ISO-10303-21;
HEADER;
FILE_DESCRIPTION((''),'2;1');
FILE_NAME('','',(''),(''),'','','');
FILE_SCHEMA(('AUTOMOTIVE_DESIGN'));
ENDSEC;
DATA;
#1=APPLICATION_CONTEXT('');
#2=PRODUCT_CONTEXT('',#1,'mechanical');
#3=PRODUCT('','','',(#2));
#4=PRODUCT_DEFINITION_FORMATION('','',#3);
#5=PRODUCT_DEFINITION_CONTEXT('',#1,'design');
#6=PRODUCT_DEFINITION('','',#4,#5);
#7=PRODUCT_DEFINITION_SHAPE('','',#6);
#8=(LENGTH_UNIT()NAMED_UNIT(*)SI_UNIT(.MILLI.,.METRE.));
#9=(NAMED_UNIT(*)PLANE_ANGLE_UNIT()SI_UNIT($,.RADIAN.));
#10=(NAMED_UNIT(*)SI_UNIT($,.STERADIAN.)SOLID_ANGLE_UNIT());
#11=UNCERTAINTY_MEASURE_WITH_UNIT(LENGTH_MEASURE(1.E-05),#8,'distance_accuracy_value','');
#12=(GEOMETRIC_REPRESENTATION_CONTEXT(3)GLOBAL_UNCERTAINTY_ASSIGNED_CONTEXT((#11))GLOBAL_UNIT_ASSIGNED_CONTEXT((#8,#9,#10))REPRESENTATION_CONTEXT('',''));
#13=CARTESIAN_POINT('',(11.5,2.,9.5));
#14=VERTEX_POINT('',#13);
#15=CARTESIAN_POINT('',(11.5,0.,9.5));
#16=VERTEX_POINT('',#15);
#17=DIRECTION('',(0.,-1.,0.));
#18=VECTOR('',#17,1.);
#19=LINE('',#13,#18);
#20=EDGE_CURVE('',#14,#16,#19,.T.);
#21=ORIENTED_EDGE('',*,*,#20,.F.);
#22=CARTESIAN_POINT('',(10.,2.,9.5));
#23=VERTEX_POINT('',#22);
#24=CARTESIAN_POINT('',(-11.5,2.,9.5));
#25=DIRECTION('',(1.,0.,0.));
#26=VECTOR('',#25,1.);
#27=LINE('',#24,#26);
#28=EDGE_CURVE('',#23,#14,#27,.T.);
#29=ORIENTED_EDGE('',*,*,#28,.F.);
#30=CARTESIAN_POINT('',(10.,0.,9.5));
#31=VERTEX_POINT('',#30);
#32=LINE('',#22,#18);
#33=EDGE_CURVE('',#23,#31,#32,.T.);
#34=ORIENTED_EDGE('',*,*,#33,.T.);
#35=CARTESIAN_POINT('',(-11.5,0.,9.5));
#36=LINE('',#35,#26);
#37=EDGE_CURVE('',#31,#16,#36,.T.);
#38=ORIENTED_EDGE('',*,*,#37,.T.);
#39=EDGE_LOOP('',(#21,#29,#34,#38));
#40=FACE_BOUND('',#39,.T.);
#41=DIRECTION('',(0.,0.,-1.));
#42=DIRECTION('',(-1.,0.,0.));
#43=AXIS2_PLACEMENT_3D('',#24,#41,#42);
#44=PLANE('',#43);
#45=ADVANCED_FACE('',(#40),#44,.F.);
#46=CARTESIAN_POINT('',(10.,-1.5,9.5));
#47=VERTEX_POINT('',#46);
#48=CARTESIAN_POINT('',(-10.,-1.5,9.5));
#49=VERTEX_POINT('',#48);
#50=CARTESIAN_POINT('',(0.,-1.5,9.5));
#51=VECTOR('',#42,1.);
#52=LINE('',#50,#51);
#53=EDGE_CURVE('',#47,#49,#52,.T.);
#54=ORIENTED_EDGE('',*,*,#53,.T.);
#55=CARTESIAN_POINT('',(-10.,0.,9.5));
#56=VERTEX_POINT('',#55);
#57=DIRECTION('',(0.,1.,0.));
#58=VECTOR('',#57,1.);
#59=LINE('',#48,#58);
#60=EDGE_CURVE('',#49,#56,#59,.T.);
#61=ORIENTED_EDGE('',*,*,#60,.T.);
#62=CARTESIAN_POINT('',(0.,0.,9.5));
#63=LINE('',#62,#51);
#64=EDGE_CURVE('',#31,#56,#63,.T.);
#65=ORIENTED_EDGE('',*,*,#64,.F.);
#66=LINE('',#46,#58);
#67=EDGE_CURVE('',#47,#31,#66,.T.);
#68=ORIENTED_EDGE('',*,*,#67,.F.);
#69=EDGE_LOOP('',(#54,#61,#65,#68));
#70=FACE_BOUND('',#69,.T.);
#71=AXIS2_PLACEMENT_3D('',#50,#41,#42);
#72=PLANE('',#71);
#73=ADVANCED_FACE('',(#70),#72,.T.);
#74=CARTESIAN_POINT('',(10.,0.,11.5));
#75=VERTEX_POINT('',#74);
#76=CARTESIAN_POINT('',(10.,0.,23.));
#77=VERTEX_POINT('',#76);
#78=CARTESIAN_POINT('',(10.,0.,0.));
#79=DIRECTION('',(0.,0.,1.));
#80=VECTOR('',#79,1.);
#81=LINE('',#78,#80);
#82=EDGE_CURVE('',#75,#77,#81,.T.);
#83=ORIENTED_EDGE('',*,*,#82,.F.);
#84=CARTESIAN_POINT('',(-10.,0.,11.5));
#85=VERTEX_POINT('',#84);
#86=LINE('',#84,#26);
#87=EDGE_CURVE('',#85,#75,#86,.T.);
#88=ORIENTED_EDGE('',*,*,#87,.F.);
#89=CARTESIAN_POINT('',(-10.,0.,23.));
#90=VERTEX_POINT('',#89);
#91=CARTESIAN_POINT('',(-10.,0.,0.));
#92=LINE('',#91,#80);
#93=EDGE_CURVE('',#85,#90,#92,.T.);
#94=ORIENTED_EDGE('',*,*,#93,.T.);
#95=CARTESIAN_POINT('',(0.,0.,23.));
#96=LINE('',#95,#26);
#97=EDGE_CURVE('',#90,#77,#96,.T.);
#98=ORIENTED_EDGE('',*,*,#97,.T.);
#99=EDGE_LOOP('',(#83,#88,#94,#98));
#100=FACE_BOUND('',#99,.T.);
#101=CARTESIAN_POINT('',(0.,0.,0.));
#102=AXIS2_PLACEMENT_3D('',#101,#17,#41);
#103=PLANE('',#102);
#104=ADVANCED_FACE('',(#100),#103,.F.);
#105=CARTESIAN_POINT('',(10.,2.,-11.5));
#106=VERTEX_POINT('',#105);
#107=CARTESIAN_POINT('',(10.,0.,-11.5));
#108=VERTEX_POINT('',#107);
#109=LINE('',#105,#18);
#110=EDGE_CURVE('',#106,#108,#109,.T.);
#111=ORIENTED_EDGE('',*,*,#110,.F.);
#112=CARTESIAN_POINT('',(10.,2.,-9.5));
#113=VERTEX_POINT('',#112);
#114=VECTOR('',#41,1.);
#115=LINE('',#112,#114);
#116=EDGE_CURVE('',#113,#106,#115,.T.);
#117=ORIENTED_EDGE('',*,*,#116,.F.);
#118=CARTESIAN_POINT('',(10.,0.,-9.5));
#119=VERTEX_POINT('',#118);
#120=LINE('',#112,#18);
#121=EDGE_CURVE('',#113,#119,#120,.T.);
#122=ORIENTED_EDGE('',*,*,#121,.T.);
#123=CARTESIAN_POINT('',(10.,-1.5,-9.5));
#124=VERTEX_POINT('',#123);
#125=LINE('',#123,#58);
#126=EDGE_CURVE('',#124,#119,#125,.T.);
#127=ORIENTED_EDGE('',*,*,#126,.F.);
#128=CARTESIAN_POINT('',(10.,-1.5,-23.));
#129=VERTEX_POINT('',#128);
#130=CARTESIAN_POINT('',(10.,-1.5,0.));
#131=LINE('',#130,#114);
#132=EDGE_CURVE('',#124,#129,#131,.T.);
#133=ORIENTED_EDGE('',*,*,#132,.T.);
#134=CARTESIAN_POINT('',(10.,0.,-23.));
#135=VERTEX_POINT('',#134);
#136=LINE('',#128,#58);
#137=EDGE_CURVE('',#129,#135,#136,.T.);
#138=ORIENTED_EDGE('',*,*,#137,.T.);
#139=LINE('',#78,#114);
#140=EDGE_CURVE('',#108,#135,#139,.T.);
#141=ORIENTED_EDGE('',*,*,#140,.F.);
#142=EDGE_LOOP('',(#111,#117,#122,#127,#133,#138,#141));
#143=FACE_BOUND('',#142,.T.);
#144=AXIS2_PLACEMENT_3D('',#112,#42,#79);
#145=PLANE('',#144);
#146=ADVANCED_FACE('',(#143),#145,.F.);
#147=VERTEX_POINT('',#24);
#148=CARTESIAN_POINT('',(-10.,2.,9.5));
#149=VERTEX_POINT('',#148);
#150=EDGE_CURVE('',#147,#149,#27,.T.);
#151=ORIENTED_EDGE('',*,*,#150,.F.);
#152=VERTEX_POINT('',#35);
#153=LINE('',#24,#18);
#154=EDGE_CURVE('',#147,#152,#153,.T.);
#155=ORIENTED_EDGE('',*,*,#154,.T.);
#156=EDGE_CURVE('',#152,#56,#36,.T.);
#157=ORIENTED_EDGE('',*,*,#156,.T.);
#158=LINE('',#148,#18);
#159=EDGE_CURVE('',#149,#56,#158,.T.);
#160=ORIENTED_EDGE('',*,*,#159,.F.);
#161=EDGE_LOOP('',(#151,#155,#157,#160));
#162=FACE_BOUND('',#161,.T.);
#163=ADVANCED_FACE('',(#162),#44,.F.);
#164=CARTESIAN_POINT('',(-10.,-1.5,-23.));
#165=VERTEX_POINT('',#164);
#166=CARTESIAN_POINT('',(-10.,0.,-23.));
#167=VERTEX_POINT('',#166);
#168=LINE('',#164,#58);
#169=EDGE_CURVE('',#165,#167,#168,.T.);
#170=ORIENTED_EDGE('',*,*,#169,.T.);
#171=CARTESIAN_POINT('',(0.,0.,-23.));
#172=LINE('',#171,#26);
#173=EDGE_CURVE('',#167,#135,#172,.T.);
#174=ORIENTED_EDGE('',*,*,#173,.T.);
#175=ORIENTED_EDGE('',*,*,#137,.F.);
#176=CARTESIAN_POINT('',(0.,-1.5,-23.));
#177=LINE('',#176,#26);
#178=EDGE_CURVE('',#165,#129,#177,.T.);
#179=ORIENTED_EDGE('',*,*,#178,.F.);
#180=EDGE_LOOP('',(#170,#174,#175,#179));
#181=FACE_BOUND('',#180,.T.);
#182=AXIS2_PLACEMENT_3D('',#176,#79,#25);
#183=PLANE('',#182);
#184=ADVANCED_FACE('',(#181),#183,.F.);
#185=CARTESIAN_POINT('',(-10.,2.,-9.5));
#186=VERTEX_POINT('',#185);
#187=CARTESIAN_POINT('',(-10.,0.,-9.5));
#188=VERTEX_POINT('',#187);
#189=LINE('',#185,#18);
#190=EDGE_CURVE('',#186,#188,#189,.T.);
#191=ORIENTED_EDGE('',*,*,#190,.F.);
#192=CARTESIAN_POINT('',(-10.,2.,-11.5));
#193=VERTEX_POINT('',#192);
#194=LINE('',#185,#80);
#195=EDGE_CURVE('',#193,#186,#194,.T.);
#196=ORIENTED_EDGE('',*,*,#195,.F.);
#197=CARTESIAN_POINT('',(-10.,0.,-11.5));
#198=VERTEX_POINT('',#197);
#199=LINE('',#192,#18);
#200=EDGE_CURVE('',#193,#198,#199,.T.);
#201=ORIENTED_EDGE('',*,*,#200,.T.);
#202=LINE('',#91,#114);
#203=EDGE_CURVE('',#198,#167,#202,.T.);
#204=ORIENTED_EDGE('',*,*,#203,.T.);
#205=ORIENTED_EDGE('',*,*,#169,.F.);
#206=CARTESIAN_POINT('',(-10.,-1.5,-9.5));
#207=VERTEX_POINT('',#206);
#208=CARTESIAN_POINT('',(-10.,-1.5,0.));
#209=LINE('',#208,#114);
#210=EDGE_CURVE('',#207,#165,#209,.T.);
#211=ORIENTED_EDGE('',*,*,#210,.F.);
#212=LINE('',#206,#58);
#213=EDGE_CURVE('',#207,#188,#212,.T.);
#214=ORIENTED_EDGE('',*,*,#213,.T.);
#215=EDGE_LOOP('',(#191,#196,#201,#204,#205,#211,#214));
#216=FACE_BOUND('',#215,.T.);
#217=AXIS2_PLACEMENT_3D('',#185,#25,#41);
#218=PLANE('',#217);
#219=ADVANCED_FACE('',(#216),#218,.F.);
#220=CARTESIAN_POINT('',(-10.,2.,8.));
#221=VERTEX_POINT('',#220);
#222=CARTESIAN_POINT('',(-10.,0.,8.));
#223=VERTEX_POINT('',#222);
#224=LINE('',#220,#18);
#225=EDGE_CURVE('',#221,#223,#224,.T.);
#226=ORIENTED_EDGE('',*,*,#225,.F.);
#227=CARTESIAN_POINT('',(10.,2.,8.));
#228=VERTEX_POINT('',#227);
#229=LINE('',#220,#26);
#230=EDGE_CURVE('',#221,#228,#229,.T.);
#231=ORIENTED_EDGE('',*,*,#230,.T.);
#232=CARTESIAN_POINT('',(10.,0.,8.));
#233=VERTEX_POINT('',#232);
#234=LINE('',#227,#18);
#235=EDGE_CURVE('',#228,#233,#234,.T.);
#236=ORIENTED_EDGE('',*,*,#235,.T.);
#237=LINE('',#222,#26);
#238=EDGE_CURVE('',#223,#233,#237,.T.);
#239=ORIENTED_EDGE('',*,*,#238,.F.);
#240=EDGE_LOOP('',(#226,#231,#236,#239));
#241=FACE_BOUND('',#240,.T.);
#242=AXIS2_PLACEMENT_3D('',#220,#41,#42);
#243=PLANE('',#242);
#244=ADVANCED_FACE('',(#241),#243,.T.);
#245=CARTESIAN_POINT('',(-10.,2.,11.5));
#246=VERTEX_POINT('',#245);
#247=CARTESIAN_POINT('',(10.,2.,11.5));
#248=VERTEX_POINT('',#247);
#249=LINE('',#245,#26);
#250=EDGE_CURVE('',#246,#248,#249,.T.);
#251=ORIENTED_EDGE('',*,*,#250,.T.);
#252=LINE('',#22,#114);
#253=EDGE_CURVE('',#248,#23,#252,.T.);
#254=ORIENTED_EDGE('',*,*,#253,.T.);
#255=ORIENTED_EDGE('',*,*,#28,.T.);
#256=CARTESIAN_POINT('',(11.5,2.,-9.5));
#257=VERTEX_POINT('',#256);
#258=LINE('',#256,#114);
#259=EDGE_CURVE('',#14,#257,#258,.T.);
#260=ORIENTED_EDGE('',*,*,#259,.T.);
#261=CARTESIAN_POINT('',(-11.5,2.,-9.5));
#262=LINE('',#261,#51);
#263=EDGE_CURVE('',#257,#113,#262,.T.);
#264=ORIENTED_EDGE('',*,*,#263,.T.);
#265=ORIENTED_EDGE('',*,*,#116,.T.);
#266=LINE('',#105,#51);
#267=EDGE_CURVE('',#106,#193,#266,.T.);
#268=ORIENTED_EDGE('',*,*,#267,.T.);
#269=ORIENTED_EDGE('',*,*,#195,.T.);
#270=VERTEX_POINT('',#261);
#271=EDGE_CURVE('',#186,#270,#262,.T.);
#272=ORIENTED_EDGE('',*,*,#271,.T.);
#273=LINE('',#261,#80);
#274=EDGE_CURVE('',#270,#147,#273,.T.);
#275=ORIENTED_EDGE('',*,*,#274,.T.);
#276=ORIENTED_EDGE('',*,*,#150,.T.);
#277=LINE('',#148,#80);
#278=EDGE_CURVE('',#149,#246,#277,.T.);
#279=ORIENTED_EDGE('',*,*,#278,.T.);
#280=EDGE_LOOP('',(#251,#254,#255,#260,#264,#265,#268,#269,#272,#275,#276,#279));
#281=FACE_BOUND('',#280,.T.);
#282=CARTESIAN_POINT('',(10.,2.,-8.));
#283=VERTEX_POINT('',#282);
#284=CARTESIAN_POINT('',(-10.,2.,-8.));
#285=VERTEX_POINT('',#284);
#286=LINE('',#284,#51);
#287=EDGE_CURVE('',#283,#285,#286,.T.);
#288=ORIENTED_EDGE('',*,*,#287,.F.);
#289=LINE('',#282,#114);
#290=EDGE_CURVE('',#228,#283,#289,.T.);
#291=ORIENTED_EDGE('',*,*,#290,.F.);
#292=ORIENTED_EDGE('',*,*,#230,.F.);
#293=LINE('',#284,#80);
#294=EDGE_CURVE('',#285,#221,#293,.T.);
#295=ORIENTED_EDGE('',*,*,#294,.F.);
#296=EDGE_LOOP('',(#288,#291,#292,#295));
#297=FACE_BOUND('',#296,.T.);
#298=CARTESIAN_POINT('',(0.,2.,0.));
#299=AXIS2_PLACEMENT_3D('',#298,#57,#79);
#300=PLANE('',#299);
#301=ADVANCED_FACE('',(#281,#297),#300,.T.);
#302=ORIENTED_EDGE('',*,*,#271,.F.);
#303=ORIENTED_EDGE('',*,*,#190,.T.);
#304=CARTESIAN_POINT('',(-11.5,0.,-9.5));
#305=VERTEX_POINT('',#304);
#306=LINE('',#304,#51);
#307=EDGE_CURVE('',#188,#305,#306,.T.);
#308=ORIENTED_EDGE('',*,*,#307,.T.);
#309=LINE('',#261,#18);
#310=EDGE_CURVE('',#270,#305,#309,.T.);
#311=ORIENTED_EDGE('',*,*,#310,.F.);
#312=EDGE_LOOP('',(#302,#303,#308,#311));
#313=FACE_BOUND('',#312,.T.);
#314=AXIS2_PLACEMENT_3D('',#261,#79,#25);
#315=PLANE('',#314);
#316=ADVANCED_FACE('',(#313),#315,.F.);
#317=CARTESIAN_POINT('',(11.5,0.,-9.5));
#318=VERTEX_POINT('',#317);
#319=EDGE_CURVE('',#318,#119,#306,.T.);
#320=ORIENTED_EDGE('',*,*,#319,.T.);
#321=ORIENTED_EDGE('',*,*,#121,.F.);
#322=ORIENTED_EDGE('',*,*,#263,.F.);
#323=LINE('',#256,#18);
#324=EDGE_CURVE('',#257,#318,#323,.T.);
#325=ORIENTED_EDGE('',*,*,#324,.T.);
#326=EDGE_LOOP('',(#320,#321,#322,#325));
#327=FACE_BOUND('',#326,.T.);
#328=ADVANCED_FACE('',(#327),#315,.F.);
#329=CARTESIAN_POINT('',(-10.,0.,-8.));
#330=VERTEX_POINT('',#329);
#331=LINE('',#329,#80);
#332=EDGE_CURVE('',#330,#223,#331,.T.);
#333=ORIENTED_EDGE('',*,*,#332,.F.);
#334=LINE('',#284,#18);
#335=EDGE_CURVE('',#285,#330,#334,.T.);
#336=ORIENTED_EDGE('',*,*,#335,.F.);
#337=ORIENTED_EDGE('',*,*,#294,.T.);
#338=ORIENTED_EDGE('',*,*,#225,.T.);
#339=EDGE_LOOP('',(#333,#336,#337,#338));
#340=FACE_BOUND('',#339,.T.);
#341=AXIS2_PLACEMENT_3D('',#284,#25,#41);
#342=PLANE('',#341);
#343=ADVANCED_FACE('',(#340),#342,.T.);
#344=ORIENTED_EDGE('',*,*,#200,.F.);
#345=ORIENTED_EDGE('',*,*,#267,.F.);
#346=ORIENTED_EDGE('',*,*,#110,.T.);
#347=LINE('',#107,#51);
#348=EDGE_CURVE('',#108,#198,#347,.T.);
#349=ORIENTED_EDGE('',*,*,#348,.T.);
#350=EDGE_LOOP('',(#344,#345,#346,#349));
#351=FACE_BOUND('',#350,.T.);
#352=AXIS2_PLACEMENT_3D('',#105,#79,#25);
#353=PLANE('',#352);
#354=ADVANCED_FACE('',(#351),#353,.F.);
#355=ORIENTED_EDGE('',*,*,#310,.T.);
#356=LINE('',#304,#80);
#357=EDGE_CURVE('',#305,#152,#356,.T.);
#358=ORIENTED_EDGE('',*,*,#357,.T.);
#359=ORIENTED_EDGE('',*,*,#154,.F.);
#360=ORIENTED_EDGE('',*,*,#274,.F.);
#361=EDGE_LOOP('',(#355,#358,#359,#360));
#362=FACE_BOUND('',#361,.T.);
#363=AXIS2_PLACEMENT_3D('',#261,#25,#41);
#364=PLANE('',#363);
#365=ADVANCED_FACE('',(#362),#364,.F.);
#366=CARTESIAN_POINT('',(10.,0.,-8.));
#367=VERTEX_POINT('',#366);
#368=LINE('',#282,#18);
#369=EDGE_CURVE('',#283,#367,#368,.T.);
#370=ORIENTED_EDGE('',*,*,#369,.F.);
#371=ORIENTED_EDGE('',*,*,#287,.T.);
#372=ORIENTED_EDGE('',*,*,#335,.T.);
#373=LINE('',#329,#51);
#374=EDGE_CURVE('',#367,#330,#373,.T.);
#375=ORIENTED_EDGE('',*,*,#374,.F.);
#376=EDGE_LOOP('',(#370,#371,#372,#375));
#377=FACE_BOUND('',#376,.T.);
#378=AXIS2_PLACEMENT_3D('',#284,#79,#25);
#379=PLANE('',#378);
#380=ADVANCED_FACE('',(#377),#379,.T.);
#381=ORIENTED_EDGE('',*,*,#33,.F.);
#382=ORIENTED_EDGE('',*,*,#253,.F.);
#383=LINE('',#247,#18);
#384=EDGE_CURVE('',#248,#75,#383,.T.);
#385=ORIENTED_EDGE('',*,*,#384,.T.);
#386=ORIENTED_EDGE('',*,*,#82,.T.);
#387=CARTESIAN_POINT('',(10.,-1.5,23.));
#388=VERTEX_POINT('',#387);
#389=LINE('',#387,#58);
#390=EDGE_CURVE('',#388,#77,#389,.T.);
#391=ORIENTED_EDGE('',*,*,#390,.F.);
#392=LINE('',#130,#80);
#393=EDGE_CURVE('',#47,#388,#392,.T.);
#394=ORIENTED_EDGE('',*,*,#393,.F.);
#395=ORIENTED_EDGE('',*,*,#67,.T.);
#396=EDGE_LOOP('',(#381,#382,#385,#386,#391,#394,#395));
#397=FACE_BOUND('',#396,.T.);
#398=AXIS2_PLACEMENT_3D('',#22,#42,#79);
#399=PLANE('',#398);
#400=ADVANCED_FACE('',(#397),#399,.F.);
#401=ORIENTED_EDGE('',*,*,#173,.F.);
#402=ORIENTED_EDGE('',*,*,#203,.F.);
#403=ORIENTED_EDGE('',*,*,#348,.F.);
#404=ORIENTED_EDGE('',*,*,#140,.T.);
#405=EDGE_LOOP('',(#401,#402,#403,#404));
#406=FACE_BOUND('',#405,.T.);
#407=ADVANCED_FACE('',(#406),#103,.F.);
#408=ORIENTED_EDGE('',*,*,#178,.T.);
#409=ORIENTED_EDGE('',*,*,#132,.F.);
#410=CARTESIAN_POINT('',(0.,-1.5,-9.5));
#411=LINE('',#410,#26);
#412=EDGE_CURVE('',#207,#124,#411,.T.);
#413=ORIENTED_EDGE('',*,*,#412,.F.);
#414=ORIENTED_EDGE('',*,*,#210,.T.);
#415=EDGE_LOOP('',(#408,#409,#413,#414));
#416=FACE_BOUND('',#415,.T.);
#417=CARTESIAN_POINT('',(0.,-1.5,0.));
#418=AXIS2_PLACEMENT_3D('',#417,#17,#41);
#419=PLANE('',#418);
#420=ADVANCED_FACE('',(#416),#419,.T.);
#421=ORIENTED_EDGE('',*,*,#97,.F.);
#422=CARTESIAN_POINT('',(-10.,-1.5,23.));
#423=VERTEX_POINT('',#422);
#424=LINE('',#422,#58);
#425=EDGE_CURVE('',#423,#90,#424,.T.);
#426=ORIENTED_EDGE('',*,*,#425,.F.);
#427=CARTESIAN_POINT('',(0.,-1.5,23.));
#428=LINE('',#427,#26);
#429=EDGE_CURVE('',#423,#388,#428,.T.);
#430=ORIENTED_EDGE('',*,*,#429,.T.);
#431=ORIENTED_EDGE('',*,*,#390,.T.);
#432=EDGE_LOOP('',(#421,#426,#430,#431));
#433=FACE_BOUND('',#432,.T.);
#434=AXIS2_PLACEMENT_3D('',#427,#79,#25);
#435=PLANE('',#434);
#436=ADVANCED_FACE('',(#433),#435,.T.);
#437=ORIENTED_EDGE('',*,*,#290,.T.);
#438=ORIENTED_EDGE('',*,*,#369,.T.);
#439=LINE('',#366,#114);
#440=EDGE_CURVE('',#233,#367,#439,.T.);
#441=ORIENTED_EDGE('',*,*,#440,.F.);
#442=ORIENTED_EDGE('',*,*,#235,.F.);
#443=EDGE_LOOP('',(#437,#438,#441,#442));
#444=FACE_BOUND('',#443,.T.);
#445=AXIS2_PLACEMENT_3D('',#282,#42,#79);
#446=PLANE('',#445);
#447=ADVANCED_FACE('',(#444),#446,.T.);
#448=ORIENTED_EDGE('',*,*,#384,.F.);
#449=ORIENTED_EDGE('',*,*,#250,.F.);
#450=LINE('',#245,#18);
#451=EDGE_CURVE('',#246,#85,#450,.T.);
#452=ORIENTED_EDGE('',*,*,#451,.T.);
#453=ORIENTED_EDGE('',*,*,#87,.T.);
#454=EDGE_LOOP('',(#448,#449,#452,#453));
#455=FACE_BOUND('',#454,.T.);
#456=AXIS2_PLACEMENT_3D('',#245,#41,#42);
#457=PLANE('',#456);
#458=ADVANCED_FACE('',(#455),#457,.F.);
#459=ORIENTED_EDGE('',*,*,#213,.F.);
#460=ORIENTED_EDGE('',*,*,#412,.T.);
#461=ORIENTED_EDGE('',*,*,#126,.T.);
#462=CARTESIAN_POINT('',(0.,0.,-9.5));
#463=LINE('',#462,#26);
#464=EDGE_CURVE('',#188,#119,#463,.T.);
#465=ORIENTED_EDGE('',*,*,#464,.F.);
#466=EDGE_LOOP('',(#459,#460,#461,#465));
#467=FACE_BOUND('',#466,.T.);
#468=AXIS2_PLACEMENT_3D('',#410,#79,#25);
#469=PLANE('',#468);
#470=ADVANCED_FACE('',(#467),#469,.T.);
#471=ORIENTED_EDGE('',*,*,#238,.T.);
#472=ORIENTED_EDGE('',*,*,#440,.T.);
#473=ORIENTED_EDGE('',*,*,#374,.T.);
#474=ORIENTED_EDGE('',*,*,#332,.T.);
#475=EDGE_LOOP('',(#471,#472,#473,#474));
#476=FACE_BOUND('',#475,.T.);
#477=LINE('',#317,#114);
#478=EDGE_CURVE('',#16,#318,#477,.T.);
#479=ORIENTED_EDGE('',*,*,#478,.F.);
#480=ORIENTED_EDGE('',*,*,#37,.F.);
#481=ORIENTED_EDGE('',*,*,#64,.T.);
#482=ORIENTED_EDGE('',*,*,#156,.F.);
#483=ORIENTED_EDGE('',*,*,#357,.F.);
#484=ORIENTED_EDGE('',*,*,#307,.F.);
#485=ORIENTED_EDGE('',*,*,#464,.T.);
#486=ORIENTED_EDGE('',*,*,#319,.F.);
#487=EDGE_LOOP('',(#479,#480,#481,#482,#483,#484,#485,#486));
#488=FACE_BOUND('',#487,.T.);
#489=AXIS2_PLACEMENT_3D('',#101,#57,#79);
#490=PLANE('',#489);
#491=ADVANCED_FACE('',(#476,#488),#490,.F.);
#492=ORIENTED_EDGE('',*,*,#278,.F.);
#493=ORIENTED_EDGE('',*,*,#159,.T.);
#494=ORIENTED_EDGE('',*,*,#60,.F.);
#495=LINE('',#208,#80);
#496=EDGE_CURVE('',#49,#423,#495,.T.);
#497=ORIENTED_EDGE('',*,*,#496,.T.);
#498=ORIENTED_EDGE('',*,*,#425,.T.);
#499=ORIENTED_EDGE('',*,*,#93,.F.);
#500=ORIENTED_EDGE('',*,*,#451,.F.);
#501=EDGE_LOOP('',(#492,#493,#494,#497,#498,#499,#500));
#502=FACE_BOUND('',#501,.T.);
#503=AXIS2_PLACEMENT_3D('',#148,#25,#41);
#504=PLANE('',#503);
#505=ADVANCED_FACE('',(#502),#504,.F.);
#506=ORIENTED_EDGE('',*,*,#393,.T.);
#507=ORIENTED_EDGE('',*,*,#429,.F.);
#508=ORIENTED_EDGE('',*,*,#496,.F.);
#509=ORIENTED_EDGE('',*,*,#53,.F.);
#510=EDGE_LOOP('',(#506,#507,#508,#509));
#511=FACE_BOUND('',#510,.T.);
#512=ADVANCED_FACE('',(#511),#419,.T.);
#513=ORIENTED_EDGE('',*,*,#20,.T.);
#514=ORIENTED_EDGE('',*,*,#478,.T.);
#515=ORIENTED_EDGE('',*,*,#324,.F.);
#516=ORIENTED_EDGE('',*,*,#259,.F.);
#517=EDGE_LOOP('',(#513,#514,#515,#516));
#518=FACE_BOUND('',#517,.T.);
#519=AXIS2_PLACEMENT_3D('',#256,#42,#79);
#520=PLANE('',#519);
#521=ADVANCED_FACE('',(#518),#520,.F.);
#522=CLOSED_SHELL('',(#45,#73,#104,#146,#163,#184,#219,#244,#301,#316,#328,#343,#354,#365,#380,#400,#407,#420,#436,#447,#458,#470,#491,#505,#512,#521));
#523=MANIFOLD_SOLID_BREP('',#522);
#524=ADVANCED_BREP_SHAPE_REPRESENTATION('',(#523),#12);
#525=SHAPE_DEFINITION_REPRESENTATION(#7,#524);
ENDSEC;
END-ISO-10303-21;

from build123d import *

# Parameters (mm, degrees)
SKETCH1_W             = 23
SKETCH1_H             = 19
SKETCH1_W_2           = 20
SKETCH1_H_2           = 16
BOSS_EXTRUDE1_DEPTH   = 2
SKETCH2_W             = 20
SKETCH2_H             = 13.5
BOSS_EXTRUDE3_DEPTH   = 1.5
BOSS_EXTRUDE3_2_DEPTH = 1.5
SKETCH3_W             = 20
SKETCH3_H             = 2
BOSS_EXTRUDE4_DEPTH   = 2


with BuildPart() as part:
    # Sketch1 → Boss-Extrude1 (new body)
    with BuildSketch(Plane(origin=(0, 0, 0), x_dir=(1, 0, 0), z_dir=(0, 1, 0))):
        Rectangle(SKETCH1_W, SKETCH1_H)
        Rectangle(SKETCH1_W_2, SKETCH1_H_2, mode=Mode.SUBTRACT)
    extrude(amount=BOSS_EXTRUDE1_DEPTH)



with BuildPart() as body_2:
    # Sketch2 → Boss-Extrude3 (new body)
    with BuildSketch(Plane.XZ):
        with Locations((0, 16.25)):
            Rectangle(SKETCH2_W, SKETCH2_H)
    extrude(amount=BOSS_EXTRUDE3_DEPTH)


with BuildPart() as body_3:
    # Sketch2 → Boss-Extrude3 2 (new body)
    with BuildSketch(Plane.XZ):
        with Locations((0, -16.25)):
            Rectangle(SKETCH2_W, SKETCH2_H)
    extrude(amount=BOSS_EXTRUDE3_2_DEPTH)


with BuildPart() as part_1:
    add(part.part)

    add(body_2.part)  # Boss-Extrude4 merges body 2

    add(body_3.part)  # Boss-Extrude4 merges body 3
    # Sketch3 → Boss-Extrude4 (add)
    with BuildSketch(Plane(origin=(0, 0, 0), x_dir=(1, 0, 0), z_dir=(0, 1, 0))):
        with Locations((0, 10.5)):
            Rectangle(SKETCH3_W, SKETCH3_H)
        with Locations((0, -10.5)):
            Rectangle(SKETCH3_W, SKETCH3_H)
    extrude(amount=BOSS_EXTRUDE4_DEPTH)


solid = part_1.part
